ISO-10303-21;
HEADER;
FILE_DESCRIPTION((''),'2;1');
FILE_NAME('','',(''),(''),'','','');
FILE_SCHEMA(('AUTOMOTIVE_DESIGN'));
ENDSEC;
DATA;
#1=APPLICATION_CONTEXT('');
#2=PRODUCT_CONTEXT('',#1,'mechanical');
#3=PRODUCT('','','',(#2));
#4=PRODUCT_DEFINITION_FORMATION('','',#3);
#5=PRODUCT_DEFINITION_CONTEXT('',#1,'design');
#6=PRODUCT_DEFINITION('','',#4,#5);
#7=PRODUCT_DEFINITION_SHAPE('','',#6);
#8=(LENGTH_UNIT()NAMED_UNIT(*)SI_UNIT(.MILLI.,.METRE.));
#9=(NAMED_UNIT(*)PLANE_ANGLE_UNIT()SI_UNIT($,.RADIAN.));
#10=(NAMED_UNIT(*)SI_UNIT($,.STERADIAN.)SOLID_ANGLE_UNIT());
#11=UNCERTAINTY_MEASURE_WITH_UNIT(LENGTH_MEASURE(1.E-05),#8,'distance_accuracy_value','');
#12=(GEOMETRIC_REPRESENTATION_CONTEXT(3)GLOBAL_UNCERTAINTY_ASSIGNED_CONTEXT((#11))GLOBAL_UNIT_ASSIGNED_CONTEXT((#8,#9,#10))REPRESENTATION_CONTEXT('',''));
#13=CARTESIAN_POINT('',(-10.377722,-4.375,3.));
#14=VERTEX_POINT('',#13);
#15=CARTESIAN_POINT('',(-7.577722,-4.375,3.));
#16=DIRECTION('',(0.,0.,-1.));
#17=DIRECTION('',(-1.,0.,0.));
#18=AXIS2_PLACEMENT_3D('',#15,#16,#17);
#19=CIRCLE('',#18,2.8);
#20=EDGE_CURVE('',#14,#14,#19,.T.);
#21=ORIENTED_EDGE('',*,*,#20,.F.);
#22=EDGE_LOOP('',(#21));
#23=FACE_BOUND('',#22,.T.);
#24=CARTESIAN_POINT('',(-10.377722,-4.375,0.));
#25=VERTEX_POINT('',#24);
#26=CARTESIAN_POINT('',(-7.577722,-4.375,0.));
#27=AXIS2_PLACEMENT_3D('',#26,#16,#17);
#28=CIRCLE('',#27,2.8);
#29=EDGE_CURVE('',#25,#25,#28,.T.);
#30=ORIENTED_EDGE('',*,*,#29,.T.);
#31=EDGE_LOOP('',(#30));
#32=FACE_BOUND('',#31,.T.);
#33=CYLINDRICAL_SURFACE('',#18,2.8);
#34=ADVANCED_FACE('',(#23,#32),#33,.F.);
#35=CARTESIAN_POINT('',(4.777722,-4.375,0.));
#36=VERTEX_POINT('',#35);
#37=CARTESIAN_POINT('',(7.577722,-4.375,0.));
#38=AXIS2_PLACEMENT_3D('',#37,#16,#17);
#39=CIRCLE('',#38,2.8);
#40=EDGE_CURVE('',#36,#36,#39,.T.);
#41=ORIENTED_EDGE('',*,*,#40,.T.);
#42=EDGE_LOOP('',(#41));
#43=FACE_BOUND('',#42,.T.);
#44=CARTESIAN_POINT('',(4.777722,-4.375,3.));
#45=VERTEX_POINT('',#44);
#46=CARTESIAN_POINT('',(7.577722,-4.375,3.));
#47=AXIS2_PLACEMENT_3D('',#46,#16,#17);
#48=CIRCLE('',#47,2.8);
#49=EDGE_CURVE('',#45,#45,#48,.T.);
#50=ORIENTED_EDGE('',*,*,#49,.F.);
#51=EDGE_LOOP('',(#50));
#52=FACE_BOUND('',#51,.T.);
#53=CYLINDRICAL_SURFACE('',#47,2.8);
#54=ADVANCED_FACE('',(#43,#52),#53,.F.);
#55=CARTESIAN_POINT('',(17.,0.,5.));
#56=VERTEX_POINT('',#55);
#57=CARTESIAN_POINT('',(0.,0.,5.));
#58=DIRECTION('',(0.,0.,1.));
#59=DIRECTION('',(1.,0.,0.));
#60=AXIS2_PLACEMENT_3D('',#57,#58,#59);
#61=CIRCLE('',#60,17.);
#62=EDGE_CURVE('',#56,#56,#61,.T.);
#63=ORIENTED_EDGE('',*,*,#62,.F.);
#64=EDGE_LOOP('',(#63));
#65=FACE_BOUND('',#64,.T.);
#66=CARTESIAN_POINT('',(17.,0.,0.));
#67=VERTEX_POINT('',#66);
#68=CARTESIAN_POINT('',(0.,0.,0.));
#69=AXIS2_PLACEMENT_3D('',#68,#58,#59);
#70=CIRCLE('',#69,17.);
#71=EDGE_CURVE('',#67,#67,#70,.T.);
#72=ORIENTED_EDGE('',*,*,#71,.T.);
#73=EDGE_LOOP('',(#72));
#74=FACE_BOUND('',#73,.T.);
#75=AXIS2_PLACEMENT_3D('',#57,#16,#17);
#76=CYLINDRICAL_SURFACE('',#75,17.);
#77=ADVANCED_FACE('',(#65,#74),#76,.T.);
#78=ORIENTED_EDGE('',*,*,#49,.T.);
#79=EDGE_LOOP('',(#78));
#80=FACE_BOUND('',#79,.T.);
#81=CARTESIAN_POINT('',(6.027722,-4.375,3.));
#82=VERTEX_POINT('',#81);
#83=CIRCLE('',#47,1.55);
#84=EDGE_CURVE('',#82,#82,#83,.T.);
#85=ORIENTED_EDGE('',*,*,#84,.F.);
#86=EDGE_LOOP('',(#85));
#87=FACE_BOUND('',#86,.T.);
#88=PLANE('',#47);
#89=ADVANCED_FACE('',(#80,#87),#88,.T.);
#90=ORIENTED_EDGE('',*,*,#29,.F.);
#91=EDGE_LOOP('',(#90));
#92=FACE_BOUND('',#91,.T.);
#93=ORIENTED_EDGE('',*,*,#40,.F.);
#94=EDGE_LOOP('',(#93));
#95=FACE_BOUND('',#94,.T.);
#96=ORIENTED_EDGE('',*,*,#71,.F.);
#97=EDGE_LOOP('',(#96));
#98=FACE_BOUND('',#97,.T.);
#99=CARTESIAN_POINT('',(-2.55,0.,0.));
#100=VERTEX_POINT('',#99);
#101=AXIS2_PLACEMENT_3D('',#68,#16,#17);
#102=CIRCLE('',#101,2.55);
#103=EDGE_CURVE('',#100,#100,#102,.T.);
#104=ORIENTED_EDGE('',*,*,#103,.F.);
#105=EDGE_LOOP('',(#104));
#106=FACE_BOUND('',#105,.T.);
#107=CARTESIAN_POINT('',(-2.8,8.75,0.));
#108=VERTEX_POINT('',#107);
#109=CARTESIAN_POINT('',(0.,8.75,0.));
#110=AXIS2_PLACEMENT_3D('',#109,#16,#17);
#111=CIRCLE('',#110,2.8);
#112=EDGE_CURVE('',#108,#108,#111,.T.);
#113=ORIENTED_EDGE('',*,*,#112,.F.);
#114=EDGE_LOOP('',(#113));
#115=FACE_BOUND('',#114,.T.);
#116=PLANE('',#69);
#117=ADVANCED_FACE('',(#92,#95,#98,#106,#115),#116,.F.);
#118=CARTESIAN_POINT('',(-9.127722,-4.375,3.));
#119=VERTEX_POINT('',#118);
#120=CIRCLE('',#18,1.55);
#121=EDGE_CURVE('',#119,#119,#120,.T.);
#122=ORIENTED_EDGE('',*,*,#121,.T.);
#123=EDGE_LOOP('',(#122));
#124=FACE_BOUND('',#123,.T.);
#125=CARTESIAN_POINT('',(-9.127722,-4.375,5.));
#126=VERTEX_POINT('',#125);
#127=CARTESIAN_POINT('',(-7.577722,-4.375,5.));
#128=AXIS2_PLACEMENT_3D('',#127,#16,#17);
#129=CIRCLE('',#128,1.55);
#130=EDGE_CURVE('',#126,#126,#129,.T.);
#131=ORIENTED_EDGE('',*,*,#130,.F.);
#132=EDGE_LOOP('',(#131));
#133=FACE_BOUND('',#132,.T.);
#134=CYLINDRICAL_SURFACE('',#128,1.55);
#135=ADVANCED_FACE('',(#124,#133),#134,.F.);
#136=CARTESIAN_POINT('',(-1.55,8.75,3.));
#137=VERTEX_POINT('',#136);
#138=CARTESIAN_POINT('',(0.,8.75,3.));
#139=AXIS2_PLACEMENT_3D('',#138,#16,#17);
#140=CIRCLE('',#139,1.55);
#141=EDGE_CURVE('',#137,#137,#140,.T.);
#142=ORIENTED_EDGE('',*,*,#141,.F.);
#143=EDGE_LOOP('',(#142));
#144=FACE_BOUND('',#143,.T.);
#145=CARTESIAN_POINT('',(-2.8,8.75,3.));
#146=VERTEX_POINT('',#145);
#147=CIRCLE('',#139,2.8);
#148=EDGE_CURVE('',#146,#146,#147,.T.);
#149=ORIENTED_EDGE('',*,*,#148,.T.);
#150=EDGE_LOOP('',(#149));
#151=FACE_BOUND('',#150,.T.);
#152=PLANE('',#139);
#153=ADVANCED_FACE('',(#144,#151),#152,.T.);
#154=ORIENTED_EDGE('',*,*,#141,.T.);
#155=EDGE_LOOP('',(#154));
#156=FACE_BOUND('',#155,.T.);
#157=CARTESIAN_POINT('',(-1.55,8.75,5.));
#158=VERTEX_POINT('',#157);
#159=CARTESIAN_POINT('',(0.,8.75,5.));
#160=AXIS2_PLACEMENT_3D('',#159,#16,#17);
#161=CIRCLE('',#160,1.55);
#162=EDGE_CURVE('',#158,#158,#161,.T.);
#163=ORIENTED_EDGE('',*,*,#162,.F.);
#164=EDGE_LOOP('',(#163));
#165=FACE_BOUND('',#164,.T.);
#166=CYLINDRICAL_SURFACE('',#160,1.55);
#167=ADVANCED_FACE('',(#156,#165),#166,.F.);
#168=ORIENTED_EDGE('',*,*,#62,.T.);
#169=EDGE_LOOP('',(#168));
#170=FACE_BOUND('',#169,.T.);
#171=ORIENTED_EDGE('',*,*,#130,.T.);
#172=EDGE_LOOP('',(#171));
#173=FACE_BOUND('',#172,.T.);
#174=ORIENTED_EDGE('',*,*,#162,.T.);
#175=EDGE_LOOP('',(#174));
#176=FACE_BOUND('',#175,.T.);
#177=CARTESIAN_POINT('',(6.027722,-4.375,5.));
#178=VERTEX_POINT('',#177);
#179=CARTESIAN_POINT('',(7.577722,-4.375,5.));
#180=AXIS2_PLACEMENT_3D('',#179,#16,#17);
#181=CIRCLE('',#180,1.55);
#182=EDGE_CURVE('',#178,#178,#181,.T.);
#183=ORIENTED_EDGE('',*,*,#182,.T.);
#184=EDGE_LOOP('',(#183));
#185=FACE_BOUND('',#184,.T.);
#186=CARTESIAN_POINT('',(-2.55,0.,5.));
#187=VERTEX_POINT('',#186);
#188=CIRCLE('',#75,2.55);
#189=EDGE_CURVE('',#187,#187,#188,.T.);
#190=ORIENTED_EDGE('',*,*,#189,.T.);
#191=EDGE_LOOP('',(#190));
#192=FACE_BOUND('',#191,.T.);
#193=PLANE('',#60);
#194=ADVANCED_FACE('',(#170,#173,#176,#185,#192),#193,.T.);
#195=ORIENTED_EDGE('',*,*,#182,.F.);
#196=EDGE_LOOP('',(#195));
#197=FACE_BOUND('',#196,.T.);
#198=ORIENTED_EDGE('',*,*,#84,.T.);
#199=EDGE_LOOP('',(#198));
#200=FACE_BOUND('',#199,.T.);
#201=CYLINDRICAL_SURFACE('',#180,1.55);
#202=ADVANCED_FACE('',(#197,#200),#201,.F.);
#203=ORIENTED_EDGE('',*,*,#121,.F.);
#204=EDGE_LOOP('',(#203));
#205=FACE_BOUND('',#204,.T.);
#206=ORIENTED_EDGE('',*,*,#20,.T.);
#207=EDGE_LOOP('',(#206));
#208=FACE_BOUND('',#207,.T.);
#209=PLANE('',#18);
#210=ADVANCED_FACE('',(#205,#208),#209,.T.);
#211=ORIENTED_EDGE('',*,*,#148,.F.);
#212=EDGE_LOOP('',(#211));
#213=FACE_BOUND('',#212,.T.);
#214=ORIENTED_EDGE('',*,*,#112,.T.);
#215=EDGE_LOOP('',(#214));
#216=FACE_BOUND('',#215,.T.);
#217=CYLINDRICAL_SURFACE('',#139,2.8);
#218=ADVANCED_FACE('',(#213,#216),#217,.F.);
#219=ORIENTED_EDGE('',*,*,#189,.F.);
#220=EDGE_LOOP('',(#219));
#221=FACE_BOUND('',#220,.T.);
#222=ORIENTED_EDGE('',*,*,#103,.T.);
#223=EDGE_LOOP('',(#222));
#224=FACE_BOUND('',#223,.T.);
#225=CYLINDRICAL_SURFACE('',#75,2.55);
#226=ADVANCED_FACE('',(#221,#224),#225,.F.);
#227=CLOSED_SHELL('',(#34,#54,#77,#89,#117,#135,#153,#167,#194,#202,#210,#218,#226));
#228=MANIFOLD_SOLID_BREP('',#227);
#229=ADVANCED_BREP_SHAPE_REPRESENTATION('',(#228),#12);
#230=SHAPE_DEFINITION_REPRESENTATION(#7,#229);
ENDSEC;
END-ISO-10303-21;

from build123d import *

# Parameters (mm, degrees)
SKETCH_1_R          = 17
EXTRUDE_1_DEPTH     = 5
SKETCH_2_R          = 2.8
CUT_EXTRUDE_1_DEPTH = 3
SKETCH_3_R          = 2.55
CUT_EXTRUDE_2_DEPTH = 6
SKETCH_7_R          = 1.55
CUT_EXTRUDE_4_DEPTH = 3


with BuildPart() as part:
    # 草图1 → 凸台-拉伸1 (new body)
    with BuildSketch(Plane.XY):
        Circle(SKETCH_1_R)
    extrude(amount=EXTRUDE_1_DEPTH)

    # 草图2 → 切除-拉伸1 (cut)
    with BuildSketch(Plane(origin=(0, 0, 0), x_dir=(-1, 0, 0), z_dir=(0, 0, -1))):
        with Locations((0, 8.75)):
            Circle(SKETCH_2_R)
        with Locations((7.577722283, -4.375)):
            Circle(SKETCH_2_R)
        with Locations((-7.577722283, -4.375)):
            Circle(SKETCH_2_R)
    extrude(amount=-CUT_EXTRUDE_1_DEPTH, mode=Mode.SUBTRACT)

    # 草图3 → 切除-拉伸2 (cut, through all)
    with BuildSketch(Plane(origin=(0, 0, 0), x_dir=(-1, 0, 0), z_dir=(0, 0, -1))):
        Circle(SKETCH_3_R)
    extrude(amount=-CUT_EXTRUDE_2_DEPTH, mode=Mode.SUBTRACT)

    # 草图7 → 切除-拉伸4 (cut, through all)
    with BuildSketch(Plane(origin=(0, 0, 3), x_dir=(-1, 0, 0), z_dir=(0, 0, -1))):
        with Locations((-7.577722283, -4.375)):
            Circle(SKETCH_7_R)
        with Locations((7.577722283, -4.375)):
            Circle(SKETCH_7_R)
        with Locations((0, 8.75)):
            Circle(SKETCH_7_R)
    extrude(amount=-CUT_EXTRUDE_4_DEPTH, mode=Mode.SUBTRACT)


solid = part.part
